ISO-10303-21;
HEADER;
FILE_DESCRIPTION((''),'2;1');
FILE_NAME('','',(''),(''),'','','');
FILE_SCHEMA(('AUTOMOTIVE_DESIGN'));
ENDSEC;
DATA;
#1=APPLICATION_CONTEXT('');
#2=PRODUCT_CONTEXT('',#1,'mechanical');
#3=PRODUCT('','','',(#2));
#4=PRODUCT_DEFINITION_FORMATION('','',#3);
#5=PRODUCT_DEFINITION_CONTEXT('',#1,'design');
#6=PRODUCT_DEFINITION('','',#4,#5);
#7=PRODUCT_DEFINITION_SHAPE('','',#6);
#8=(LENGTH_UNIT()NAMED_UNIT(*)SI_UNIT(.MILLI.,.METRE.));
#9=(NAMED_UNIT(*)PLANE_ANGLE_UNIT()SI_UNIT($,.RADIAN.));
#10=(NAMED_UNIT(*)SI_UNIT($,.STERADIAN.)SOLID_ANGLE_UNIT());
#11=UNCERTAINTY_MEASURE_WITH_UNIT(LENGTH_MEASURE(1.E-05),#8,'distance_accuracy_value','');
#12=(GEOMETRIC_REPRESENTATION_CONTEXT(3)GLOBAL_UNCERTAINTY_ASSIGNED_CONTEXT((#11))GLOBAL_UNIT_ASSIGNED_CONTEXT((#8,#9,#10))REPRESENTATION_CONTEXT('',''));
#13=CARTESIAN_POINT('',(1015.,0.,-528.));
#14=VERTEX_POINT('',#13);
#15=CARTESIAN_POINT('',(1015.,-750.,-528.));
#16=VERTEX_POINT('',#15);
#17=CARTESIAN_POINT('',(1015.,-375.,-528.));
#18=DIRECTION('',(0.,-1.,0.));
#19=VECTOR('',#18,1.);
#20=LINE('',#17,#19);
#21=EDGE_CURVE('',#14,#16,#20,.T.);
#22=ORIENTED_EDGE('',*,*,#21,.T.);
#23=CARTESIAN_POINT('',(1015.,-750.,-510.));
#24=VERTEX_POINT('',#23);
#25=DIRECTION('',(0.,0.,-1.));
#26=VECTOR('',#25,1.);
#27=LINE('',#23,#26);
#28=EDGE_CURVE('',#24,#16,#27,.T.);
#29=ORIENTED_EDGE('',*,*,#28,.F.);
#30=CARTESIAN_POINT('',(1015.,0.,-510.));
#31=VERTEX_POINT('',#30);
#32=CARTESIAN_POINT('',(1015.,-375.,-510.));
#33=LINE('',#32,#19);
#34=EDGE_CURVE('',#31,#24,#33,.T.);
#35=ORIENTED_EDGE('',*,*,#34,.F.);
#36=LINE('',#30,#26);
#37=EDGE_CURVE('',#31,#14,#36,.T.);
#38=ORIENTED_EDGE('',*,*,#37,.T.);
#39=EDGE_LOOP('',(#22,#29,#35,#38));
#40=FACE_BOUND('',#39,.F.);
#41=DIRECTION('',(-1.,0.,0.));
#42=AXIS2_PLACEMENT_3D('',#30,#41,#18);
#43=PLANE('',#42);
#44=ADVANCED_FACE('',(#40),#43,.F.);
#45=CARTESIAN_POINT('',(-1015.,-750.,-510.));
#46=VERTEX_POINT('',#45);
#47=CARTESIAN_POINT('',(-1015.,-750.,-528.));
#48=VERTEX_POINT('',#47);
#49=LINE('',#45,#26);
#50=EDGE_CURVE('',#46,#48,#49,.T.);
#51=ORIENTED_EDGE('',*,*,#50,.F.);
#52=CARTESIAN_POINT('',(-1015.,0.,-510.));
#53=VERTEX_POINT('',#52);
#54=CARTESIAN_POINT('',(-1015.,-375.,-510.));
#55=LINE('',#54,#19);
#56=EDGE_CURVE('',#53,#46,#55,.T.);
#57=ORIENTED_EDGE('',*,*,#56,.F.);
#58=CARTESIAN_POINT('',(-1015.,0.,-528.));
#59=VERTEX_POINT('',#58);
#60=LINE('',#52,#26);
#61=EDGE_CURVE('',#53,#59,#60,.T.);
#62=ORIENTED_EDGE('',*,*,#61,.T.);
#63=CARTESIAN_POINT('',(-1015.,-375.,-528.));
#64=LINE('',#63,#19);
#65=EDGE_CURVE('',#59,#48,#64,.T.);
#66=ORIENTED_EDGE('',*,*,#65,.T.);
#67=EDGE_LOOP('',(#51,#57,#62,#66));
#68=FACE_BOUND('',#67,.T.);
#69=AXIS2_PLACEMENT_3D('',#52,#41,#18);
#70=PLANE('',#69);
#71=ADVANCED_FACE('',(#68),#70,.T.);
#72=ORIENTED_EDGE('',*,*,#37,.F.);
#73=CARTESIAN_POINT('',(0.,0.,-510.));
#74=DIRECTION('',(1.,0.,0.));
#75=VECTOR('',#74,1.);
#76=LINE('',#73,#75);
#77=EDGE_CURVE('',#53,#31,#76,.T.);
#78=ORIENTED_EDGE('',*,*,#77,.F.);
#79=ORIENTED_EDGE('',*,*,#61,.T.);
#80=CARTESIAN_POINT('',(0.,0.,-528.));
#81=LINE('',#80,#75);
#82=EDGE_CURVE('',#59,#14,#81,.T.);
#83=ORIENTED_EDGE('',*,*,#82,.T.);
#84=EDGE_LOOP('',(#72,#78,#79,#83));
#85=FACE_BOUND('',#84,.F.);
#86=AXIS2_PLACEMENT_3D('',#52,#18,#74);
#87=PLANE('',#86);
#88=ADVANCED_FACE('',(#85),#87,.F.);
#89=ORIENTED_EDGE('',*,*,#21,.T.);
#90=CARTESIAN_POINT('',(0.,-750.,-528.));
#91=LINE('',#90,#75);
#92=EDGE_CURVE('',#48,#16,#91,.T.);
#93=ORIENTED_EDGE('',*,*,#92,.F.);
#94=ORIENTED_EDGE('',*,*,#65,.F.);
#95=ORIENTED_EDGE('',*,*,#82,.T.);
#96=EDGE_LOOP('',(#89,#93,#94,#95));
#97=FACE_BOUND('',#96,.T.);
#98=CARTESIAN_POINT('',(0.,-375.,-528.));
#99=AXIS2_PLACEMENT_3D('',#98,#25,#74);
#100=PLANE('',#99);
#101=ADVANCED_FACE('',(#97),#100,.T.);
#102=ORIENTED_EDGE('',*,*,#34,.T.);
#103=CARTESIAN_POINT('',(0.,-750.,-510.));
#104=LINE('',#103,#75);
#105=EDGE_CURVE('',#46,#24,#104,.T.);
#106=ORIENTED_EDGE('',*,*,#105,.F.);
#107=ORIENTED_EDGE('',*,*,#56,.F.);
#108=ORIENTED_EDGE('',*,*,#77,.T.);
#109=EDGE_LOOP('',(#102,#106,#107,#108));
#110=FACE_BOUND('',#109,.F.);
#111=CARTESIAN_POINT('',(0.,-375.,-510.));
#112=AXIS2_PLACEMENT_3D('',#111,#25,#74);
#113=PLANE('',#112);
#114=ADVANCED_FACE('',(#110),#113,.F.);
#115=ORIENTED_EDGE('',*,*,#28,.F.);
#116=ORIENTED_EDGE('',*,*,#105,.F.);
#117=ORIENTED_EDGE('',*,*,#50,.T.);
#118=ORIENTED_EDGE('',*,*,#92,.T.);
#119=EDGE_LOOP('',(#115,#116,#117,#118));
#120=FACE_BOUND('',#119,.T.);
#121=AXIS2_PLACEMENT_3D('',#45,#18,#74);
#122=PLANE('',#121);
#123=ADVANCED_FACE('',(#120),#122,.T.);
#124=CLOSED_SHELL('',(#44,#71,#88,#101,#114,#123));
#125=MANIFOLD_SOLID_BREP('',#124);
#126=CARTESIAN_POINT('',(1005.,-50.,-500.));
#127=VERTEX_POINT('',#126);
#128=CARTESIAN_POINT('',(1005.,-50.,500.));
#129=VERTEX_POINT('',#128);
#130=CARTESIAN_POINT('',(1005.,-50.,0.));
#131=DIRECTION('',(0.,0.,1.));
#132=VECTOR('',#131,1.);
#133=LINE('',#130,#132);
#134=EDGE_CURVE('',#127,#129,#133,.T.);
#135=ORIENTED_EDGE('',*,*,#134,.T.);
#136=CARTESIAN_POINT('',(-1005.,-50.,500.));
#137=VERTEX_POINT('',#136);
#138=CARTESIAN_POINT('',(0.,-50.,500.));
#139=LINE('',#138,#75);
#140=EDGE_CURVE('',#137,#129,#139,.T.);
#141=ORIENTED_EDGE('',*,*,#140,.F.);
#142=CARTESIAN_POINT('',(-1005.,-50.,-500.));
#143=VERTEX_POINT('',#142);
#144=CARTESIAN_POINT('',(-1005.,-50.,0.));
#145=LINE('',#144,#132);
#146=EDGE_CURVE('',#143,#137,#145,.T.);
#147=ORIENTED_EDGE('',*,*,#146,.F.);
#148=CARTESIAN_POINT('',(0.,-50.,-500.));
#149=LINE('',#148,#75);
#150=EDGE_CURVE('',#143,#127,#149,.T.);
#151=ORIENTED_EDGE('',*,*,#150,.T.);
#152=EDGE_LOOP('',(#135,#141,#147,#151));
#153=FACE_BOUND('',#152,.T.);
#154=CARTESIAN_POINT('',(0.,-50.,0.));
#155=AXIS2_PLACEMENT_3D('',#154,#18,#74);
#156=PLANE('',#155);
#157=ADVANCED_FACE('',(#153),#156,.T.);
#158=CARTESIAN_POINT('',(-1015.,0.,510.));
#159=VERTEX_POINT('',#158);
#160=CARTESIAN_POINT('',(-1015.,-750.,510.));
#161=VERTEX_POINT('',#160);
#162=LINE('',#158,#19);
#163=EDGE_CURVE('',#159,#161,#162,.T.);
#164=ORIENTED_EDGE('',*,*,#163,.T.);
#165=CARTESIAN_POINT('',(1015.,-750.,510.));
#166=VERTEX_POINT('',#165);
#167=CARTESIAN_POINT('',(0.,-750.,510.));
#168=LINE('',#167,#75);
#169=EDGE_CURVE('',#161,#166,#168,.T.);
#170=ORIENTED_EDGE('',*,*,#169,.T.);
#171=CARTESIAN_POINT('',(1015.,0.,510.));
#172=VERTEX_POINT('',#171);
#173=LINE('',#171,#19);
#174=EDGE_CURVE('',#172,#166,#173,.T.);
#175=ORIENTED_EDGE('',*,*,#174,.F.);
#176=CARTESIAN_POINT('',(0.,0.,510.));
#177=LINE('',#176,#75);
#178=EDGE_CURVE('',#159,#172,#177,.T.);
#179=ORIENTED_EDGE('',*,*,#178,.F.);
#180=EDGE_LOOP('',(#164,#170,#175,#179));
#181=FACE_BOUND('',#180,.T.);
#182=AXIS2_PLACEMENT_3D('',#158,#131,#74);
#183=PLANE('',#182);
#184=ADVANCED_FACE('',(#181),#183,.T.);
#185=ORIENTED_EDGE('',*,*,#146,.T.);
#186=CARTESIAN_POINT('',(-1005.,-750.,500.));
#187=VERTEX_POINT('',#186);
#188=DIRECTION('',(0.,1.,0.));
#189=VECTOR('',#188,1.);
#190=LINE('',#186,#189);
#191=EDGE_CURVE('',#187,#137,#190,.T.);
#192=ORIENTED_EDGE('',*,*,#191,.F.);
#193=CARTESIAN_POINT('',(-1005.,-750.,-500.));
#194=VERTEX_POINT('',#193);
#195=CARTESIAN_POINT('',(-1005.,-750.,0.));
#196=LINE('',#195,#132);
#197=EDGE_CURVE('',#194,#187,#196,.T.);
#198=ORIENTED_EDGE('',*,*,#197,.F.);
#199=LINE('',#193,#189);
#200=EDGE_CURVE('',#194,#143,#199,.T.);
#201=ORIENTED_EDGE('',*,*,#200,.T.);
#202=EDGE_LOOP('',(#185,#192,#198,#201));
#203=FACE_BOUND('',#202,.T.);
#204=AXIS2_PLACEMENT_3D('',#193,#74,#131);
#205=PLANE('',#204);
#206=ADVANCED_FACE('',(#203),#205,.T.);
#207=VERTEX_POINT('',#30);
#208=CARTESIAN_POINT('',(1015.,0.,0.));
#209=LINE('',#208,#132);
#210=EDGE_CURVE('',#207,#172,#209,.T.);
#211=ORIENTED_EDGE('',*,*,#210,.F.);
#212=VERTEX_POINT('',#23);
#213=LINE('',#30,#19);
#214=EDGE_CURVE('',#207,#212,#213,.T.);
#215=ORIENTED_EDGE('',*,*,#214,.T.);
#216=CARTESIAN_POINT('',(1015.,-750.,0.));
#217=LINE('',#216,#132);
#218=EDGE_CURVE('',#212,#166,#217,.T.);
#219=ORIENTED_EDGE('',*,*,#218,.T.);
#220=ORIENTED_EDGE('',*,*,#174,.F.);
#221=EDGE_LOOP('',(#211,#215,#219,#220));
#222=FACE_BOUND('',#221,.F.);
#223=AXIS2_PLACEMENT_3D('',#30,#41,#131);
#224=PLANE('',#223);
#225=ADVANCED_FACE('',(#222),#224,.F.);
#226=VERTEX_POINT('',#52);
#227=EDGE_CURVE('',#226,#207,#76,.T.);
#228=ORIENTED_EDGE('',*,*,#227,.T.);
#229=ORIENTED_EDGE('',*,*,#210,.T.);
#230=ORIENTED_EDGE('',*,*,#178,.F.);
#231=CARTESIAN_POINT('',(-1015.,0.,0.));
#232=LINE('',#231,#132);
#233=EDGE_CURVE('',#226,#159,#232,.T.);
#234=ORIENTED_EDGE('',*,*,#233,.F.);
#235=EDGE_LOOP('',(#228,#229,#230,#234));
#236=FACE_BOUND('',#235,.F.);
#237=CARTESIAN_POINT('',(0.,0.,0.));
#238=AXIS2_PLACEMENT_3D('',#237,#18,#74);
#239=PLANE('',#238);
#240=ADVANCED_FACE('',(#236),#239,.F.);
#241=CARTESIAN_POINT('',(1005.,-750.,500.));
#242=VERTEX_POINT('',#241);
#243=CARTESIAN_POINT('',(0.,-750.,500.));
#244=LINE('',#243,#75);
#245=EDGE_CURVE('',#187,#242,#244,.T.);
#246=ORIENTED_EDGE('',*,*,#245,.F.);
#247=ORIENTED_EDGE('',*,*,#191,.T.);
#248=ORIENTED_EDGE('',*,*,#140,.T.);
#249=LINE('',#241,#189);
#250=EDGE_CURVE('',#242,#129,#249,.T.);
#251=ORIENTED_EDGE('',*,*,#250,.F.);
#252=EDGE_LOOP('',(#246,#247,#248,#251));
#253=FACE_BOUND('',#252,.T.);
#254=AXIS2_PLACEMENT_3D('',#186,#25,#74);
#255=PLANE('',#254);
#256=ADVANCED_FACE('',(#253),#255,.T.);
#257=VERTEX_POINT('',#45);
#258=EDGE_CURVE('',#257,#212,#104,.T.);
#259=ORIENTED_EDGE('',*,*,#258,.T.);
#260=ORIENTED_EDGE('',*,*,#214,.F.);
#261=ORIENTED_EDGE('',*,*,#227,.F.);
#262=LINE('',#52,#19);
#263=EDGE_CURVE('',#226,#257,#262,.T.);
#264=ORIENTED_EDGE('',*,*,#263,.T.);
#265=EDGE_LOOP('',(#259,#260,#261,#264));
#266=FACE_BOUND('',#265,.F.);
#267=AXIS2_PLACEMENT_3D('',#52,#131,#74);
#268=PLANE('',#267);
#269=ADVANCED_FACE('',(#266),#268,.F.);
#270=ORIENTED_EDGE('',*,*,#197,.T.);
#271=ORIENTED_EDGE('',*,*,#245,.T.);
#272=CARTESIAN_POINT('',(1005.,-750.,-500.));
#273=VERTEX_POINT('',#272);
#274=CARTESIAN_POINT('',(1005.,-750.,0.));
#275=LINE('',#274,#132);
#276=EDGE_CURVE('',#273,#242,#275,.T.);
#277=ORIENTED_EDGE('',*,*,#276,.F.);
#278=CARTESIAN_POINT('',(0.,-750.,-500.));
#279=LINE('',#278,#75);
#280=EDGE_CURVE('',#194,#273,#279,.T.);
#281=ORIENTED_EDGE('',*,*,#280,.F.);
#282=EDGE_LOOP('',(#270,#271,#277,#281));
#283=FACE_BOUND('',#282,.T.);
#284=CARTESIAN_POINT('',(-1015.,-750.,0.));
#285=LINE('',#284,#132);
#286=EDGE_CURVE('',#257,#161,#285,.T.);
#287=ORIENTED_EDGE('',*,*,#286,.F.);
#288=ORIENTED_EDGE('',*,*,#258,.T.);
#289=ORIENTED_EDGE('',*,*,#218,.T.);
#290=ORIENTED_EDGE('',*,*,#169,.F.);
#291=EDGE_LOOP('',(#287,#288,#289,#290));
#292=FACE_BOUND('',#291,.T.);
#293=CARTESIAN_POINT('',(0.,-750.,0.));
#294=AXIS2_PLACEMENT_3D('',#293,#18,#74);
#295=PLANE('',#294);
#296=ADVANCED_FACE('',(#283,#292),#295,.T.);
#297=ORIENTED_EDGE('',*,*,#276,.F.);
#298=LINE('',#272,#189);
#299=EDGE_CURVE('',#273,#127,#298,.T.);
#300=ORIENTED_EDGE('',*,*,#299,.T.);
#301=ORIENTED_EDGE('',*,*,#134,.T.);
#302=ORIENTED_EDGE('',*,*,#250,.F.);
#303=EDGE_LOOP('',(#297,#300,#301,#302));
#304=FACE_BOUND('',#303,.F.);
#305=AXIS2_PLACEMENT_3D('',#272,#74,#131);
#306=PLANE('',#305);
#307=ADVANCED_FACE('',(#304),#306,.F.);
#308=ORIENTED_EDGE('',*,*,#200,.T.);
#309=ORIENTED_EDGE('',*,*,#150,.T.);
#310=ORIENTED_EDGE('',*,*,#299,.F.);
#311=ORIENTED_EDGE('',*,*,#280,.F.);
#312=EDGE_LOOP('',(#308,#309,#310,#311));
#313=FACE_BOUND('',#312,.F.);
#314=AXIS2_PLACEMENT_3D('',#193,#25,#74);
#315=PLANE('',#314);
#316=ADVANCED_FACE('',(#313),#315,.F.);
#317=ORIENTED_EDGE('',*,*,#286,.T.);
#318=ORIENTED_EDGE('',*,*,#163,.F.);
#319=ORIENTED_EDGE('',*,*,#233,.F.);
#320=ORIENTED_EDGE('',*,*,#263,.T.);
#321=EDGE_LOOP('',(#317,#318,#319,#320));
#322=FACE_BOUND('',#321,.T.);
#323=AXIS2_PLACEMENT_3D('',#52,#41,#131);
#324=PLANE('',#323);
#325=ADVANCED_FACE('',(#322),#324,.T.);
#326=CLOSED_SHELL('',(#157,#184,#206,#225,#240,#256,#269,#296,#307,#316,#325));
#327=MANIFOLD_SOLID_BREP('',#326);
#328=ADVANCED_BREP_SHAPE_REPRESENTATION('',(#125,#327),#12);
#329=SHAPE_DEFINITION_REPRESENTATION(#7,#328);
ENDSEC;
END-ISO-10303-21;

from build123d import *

# Parameters (mm, degrees)
F0_W     = 2030
F0_H     = 1020
F1_DEPTH = 750
F2_W     = 2010
F2_H     = 1000
F3_DEPTH = 700
F4_W     = 2030
F4_H     = 750
F5_DEPTH = 18


with BuildPart() as f1:
    # F0 (on Front) → F1 (new body)
    with BuildSketch(Plane.XZ):
        Rectangle(F0_W, F0_H)
    extrude(amount=F1_DEPTH)

    # F2 (on face) → F3 (cut)
    with BuildSketch(Plane.XZ.offset(750)):
        Rectangle(F2_W, F2_H)
    extrude(amount=-F3_DEPTH, mode=Mode.SUBTRACT)


with BuildPart() as f5:
    # F4 (on face) → F5 (new body)
    with BuildSketch(Plane(origin=(0, 0, -510), x_dir=(1, 0, 0), z_dir=(0, 0, -1))):
        with Locations((0, 375)):
            Rectangle(F4_W, F4_H)
    extrude(amount=F5_DEPTH)


solid = Compound([f1.part, f5.part])
